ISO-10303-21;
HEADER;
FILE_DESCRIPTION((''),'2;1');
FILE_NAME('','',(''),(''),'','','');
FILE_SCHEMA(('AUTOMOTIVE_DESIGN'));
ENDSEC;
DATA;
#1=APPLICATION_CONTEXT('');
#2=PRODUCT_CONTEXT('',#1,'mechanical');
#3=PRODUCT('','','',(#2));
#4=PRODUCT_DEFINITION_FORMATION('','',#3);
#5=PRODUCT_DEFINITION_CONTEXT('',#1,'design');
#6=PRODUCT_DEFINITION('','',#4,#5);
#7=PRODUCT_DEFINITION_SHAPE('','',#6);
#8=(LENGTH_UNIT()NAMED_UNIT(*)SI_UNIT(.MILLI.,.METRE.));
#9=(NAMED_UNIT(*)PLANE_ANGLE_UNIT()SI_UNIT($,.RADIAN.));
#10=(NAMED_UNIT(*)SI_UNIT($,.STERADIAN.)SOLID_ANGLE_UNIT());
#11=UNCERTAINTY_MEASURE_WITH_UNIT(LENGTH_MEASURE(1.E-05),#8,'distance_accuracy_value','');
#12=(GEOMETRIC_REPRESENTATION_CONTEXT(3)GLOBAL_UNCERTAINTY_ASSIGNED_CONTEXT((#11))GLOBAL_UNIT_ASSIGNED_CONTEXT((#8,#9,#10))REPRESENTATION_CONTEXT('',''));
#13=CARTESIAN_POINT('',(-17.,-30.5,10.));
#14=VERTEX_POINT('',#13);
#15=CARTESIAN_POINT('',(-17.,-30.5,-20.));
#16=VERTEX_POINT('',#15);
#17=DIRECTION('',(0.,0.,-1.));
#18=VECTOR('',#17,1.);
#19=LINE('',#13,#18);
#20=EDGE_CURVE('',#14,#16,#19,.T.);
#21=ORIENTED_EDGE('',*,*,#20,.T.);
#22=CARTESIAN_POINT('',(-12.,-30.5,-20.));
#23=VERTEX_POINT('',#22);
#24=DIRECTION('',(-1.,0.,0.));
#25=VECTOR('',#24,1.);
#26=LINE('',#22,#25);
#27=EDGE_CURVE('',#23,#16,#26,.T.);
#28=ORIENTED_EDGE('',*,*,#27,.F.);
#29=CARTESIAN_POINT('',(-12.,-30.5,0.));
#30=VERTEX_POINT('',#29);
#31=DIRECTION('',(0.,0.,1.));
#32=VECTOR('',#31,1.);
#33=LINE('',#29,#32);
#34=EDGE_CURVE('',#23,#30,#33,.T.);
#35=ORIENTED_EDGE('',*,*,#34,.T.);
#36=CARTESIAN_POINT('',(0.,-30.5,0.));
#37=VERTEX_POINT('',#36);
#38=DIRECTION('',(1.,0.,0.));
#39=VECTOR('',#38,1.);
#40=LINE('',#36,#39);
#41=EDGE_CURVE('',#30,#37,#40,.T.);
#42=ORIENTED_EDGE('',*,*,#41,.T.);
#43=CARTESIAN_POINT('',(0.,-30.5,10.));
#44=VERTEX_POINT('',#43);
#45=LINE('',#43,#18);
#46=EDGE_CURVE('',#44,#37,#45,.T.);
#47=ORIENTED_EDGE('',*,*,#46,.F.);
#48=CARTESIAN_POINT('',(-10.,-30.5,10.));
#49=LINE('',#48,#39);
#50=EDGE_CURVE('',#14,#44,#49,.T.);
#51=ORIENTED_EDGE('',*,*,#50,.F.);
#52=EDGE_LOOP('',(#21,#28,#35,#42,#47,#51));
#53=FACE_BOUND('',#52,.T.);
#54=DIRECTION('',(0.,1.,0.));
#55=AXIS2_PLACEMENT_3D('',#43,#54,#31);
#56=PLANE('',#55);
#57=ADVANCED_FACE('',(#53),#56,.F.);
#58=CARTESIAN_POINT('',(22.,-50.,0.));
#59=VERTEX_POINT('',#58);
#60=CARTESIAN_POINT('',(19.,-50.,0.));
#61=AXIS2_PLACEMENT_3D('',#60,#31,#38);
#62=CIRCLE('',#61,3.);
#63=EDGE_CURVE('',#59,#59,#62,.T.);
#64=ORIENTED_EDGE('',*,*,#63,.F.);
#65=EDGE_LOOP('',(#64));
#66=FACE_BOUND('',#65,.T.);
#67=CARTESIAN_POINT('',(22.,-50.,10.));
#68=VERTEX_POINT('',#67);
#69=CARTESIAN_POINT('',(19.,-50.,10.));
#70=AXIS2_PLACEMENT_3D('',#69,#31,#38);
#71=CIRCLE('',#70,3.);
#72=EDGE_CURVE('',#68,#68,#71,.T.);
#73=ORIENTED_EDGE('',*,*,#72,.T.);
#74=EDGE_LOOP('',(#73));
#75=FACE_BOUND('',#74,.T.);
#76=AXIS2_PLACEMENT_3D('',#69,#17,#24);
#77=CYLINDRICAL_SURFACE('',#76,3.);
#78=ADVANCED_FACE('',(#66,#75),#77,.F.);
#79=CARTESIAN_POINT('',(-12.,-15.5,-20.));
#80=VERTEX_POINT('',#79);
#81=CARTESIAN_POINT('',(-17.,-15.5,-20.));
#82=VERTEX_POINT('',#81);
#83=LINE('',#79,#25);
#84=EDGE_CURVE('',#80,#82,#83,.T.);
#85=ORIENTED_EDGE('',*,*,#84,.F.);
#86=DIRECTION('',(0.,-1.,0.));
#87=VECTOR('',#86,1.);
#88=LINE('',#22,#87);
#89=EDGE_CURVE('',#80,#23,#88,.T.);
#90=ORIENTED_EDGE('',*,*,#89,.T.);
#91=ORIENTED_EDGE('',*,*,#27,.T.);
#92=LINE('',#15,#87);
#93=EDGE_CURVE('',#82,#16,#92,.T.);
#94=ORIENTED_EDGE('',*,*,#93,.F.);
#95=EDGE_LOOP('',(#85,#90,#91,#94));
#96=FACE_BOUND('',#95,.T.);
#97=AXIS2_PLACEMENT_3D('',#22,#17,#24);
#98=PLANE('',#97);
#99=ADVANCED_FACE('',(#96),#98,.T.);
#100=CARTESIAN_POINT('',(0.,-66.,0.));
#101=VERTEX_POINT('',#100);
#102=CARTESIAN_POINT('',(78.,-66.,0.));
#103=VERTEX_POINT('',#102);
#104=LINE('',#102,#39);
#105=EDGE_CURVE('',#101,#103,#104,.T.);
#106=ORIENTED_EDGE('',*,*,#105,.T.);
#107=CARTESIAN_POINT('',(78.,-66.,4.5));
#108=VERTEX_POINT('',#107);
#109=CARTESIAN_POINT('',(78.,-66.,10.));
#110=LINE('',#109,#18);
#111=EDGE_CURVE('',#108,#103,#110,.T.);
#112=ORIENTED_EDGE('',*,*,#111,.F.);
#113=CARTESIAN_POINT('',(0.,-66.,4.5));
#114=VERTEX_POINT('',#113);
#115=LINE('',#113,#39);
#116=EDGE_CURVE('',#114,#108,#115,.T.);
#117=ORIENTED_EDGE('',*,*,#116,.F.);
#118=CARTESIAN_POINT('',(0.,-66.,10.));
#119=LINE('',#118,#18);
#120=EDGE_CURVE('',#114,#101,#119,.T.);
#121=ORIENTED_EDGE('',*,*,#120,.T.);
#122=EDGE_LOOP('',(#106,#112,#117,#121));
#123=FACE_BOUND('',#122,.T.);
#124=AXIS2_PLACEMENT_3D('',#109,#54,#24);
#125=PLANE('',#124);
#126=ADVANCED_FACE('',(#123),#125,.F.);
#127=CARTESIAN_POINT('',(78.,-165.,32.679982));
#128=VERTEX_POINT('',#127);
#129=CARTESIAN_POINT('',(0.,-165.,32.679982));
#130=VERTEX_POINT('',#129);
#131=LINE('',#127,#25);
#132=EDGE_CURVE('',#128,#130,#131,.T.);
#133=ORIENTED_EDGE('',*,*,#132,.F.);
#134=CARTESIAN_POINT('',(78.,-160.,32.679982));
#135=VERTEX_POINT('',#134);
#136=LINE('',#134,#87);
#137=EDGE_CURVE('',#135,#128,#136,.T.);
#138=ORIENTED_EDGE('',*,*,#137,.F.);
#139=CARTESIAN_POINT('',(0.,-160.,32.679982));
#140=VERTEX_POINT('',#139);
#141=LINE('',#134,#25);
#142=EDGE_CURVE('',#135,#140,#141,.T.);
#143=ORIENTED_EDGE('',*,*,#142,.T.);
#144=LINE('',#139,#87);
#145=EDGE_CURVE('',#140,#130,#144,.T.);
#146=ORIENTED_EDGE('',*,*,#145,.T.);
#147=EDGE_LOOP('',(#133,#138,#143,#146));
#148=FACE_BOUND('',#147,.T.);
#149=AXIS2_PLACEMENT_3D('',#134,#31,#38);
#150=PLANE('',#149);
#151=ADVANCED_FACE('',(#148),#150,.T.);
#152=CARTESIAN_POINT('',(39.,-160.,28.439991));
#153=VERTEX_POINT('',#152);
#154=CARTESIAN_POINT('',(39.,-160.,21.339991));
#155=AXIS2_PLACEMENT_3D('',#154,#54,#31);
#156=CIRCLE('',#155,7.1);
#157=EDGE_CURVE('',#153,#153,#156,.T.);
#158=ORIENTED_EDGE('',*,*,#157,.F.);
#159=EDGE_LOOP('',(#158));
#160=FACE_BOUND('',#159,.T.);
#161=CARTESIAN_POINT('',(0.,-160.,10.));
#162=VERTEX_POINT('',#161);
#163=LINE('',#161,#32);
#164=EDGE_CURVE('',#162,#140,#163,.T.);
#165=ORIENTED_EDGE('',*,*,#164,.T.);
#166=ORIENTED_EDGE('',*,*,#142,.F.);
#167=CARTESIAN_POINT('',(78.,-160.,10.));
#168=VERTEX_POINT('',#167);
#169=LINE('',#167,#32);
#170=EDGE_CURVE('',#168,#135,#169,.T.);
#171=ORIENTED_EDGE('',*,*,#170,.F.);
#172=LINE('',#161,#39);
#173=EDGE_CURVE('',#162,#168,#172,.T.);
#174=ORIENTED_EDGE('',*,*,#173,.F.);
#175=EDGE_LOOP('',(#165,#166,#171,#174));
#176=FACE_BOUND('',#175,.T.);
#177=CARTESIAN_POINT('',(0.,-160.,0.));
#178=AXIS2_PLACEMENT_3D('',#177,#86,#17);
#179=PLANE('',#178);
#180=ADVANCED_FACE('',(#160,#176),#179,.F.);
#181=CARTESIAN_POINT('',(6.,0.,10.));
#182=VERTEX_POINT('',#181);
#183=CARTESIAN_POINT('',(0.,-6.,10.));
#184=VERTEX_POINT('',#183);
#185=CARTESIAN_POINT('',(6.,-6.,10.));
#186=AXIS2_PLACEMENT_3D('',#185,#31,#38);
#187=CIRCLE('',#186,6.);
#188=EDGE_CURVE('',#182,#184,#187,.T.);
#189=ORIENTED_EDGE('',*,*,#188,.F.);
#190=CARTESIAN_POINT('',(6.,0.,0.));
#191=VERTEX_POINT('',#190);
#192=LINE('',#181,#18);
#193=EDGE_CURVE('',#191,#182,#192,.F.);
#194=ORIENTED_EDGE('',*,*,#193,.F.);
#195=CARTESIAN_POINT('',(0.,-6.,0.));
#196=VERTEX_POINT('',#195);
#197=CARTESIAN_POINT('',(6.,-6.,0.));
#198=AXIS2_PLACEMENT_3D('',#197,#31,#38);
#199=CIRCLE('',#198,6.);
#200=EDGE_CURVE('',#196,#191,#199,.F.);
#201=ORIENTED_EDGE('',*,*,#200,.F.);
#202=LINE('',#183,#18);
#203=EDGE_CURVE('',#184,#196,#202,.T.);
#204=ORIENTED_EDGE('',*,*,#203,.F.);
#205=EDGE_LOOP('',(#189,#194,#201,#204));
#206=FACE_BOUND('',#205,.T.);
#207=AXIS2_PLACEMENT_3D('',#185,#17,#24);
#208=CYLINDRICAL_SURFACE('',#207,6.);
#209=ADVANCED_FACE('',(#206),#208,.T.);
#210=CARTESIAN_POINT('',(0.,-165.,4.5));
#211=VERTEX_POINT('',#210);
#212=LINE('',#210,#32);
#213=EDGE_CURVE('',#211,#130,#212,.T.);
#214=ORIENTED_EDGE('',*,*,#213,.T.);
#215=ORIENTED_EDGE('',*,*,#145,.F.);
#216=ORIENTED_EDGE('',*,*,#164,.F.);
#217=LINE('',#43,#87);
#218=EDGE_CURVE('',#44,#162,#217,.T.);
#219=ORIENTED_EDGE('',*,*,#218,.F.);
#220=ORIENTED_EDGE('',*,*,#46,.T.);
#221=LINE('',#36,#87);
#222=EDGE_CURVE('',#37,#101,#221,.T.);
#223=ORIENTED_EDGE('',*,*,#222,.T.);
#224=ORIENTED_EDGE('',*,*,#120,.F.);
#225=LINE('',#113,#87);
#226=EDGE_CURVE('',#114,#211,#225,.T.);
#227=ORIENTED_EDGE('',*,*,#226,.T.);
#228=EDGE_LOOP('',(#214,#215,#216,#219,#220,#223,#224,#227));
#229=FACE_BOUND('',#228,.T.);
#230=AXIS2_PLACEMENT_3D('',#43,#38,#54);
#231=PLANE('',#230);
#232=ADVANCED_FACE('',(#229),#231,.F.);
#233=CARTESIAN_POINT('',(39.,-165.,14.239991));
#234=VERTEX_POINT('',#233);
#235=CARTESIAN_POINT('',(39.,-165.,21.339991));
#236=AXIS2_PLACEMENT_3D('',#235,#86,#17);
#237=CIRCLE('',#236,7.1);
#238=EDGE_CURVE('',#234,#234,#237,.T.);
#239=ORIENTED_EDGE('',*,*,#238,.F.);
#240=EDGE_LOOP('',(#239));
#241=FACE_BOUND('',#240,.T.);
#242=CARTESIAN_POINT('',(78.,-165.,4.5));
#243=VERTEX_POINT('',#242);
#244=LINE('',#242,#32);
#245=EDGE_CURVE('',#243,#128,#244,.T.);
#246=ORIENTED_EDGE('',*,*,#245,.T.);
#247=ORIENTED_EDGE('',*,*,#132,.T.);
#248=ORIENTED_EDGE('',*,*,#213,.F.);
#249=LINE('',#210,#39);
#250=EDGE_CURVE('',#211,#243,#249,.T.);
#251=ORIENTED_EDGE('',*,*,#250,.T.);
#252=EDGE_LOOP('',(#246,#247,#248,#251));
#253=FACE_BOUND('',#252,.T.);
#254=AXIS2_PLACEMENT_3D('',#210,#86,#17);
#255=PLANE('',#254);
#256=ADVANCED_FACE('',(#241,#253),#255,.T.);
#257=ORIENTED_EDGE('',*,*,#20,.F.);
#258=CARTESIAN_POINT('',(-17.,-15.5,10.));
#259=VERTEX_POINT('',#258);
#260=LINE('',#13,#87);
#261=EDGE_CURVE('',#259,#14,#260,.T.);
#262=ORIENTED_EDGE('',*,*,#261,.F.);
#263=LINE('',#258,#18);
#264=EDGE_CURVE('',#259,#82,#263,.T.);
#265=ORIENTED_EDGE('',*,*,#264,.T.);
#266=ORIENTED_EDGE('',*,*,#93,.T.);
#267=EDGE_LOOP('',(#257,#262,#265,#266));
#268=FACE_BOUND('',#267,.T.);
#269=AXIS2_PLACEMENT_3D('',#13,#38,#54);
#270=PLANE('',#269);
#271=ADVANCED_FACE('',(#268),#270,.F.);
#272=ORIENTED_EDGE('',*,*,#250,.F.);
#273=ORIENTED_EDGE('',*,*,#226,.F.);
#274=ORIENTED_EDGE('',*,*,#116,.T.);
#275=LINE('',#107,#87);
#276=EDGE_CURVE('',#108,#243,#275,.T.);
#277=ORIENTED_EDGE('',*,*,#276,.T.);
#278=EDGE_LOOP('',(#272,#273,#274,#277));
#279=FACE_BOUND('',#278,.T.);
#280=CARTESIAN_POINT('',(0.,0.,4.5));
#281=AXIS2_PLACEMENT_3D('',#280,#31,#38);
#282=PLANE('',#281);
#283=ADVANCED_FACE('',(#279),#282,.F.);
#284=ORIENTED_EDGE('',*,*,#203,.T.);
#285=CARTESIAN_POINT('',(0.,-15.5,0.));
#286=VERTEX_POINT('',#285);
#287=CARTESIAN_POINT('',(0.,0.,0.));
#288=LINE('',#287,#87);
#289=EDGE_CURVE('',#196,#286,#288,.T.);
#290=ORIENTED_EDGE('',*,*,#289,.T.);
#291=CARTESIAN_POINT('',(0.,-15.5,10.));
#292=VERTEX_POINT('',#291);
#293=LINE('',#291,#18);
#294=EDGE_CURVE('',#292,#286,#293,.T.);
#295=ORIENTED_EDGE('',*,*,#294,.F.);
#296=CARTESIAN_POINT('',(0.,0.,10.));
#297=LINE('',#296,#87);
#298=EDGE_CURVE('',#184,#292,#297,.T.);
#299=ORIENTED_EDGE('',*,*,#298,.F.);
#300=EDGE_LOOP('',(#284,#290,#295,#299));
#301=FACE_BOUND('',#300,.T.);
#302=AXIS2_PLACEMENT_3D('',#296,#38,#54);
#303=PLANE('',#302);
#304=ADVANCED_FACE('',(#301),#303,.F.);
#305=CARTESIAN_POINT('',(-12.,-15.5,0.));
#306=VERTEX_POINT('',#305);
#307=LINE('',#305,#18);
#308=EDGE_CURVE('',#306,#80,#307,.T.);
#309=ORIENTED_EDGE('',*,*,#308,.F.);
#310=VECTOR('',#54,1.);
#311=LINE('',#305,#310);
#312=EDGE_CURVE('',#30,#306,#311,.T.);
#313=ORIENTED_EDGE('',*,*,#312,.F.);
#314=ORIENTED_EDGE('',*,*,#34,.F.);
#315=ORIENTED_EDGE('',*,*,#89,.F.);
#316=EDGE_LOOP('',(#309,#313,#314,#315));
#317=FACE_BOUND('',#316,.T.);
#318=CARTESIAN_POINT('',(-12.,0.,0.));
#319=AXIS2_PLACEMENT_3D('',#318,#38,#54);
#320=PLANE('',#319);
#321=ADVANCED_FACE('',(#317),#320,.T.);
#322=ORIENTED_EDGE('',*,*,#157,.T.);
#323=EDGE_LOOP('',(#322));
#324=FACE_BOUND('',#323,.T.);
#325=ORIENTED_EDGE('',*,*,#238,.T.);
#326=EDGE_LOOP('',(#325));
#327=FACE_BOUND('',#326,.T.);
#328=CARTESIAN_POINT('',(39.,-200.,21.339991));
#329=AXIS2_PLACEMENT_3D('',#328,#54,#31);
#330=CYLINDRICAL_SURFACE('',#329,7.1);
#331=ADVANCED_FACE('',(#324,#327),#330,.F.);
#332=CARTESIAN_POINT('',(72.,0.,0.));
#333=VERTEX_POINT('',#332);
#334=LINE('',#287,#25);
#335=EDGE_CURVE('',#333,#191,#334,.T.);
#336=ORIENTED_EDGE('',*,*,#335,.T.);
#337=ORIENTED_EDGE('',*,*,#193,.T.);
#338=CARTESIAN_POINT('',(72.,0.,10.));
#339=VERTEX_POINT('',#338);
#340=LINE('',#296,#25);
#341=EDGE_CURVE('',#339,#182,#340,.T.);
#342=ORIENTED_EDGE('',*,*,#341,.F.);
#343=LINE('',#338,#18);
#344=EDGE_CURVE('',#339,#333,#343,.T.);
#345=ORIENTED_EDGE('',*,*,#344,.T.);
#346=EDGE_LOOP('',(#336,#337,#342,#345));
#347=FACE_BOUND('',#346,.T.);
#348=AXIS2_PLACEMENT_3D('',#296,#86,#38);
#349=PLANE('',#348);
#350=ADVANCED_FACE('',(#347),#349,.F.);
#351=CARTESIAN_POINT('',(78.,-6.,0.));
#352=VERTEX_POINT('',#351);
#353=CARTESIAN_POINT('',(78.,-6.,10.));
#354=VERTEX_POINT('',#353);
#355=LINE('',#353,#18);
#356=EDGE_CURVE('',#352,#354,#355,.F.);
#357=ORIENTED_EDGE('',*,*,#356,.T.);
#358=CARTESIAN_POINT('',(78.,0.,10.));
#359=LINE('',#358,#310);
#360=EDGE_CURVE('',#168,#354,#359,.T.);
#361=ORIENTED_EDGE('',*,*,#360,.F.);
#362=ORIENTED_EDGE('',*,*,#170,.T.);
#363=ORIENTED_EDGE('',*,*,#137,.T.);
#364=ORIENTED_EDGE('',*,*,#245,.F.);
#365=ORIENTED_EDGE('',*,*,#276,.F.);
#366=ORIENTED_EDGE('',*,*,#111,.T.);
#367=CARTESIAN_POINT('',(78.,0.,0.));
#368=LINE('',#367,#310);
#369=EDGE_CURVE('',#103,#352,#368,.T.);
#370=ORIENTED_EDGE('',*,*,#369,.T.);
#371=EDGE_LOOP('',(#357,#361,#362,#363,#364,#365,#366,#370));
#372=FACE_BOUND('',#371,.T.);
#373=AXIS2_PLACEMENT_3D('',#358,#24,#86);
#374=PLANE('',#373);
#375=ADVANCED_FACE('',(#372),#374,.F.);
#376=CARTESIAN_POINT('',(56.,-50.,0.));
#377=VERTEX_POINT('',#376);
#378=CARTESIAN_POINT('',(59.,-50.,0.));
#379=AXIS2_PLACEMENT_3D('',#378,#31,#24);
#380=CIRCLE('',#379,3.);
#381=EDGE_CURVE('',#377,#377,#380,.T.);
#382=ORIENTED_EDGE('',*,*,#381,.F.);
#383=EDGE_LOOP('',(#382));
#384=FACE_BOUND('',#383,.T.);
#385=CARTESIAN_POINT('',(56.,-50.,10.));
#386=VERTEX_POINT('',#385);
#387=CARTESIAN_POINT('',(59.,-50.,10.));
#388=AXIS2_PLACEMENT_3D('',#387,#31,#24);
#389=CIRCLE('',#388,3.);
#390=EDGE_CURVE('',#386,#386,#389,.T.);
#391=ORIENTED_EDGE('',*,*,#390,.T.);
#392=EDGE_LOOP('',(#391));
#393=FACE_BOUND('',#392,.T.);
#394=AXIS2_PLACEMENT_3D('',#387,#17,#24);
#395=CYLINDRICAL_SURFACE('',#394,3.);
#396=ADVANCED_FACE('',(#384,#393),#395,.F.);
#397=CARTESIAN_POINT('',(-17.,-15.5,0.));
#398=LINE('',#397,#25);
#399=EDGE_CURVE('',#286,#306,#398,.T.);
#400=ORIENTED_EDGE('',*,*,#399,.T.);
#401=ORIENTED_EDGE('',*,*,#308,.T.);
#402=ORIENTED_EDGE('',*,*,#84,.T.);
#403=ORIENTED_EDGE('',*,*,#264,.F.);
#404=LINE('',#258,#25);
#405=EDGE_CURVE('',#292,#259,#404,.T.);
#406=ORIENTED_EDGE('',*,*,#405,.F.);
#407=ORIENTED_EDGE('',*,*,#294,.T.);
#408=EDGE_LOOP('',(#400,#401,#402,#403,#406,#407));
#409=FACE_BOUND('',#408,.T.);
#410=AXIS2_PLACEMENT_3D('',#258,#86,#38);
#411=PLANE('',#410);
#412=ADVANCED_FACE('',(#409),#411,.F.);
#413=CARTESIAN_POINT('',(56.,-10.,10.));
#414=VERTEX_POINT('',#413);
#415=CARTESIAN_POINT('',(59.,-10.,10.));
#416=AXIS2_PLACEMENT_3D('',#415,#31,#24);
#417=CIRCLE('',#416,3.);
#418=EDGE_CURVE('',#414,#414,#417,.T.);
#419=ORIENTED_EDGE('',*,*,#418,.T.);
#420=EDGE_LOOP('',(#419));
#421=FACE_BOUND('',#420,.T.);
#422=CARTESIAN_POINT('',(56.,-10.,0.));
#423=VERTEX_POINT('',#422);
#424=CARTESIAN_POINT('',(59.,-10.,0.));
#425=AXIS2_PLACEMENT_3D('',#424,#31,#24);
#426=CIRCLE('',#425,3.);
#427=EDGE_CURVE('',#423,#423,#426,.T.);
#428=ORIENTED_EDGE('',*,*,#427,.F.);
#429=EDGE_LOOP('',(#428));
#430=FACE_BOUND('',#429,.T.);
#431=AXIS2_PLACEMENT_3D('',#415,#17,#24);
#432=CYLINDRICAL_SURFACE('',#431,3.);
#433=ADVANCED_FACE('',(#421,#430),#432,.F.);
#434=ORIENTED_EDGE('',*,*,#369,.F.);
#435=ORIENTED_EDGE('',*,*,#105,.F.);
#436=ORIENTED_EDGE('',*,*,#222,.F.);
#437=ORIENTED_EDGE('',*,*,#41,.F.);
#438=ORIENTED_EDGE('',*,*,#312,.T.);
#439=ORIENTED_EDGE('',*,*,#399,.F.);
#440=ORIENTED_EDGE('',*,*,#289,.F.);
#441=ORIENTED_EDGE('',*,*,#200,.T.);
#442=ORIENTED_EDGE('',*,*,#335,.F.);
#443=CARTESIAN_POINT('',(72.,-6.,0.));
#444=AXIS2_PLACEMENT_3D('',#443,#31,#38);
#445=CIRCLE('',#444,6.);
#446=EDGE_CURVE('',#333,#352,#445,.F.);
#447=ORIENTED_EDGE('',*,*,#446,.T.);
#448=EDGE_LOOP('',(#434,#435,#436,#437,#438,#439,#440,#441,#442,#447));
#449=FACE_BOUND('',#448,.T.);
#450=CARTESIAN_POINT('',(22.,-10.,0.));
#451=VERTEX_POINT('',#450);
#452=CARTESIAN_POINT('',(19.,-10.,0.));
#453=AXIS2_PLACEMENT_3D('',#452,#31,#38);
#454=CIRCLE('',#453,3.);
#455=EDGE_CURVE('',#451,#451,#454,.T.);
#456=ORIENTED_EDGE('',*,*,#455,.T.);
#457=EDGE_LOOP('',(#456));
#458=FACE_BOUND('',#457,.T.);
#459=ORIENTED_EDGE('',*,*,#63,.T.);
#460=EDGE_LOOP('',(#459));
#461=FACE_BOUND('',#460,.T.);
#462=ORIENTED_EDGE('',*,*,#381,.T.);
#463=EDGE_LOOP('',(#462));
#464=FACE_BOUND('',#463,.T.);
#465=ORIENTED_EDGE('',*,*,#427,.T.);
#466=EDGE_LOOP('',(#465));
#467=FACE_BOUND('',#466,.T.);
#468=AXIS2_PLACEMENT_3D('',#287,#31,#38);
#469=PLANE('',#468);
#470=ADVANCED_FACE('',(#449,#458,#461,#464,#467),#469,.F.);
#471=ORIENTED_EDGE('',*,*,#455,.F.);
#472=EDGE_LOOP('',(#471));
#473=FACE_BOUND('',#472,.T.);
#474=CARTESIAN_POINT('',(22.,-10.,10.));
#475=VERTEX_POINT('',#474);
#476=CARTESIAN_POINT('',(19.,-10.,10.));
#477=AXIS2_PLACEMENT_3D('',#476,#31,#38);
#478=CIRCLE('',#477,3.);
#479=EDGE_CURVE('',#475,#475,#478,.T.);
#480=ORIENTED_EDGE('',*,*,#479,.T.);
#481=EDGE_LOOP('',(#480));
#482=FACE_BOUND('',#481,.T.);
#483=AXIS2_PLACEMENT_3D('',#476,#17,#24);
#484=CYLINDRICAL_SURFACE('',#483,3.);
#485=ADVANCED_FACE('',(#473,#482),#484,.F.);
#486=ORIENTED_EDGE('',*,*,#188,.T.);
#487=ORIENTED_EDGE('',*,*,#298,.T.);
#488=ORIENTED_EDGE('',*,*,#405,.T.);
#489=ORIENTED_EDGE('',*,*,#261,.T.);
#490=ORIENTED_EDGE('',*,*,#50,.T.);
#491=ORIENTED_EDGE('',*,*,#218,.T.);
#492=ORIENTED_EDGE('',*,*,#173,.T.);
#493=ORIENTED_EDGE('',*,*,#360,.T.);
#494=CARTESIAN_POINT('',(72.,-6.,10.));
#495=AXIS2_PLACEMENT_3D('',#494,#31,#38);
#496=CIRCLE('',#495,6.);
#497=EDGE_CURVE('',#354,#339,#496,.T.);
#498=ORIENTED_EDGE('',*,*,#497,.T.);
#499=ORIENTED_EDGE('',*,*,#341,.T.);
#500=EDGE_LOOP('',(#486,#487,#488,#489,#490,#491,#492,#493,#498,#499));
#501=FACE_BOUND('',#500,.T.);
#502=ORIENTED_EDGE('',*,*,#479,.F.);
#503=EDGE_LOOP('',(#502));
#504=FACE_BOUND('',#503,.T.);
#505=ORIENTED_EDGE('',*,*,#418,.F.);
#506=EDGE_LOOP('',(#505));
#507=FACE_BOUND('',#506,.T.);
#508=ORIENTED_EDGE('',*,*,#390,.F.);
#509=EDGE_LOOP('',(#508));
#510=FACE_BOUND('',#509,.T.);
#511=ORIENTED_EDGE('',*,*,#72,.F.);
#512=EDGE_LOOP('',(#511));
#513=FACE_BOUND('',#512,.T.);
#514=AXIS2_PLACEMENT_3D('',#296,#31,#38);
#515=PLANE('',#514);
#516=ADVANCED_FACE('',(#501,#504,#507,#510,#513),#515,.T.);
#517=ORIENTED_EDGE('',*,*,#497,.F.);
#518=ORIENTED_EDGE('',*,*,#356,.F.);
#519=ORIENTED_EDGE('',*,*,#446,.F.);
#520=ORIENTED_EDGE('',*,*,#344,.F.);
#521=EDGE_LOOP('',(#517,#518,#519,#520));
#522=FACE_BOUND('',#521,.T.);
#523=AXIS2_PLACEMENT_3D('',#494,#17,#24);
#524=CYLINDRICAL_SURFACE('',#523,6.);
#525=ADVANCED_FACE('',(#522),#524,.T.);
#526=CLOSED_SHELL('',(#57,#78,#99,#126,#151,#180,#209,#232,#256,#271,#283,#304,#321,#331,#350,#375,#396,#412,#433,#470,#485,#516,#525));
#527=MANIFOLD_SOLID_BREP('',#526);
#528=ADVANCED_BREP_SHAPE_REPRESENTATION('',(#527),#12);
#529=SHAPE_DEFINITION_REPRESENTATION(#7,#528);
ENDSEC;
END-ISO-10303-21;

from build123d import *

# Parameters (mm, degrees)
CROQUIS1_R              = 3
SALIENTE_EXTRUIR1_DEPTH = 10
REDONDEO3_R             = 6
REDONDEO4_R             = 6
CROQUIS3_W              = 78
CROQUIS3_H              = 99
SALIENTE_EXTRUIR2_DEPTH = 5.5
CROQUIS4_W              = 78
CROQUIS4_H              = 22.679982155
SALIENTE_EXTRUIR3_DEPTH = 5
CROQUIS6_R              = 7.1
CORTAR_EXTRUIR1_DEPTH   = 40
CROQUIS7_W              = 20
CROQUIS7_H              = 15
SALIENTE_EXTRUIR4_DEPTH = 5


with BuildPart() as part:
    # Croquis1 → Saliente-Extruir1 (new body)
    with BuildSketch(Plane.XY):
        Polygon((0, 0), (78, 0), (78, -66), (0, -66), (0, -30.5), (-10, -30.5), (-17, -30.5), (-17, -15.5), (0, -15.5), align=None)
        with Locations((19, -10)):
            Circle(CROQUIS1_R, mode=Mode.SUBTRACT)
        with Locations((19, -50)):
            Circle(CROQUIS1_R, mode=Mode.SUBTRACT)
        with Locations(Location((59, -50, 0), (0, 0, 180))):
            Circle(CROQUIS1_R, mode=Mode.SUBTRACT)
        with Locations(Location((59, -10, 0), (0, 0, 180))):
            Circle(CROQUIS1_R, mode=Mode.SUBTRACT)
    extrude(amount=SALIENTE_EXTRUIR1_DEPTH)

    # Redondeo3
    redondeo3_edges = [part.edges().sort_by_distance(p)[0] for p in [
        (0, 0, 5),
    ]]
    fillet(redondeo3_edges, radius=REDONDEO3_R)

    # Redondeo4
    redondeo4_edges = [part.edges().sort_by_distance(p)[0] for p in [
        (78, 0, 5),
    ]]
    fillet(redondeo4_edges, radius=REDONDEO4_R)

    # Croquis3 → Saliente-Extruir2 (add)
    with BuildSketch(Plane.XY.offset(10)):
        with Locations((39, -115.5)):
            Rectangle(CROQUIS3_W, CROQUIS3_H)
    extrude(amount=-SALIENTE_EXTRUIR2_DEPTH)

    # Croquis4 → Saliente-Extruir3 (add)
    with BuildSketch(Plane.XZ.offset(165)):
        with Locations((39, 21.339991078)):
            Rectangle(CROQUIS4_W, CROQUIS4_H)
    extrude(amount=-SALIENTE_EXTRUIR3_DEPTH)

    # Croquis6 → Cortar-Extruir1 (cut)
    with BuildSketch(Plane(origin=(0, -160, 0), x_dir=(1, 0, 0), z_dir=(0, 1, 0))):
        with Locations(Location((39, -21.339991078, 0), (0, 0, 270))):
            Circle(CROQUIS6_R)
    extrude(amount=-CORTAR_EXTRUIR1_DEPTH, mode=Mode.SUBTRACT)

    # Croquis7 → Saliente-Extruir4 (add)
    with BuildSketch(Plane.ZY.offset(17)):
        with Locations((-10, -23)):
            Rectangle(CROQUIS7_W, CROQUIS7_H)
    extrude(amount=-SALIENTE_EXTRUIR4_DEPTH)


solid = part.part
